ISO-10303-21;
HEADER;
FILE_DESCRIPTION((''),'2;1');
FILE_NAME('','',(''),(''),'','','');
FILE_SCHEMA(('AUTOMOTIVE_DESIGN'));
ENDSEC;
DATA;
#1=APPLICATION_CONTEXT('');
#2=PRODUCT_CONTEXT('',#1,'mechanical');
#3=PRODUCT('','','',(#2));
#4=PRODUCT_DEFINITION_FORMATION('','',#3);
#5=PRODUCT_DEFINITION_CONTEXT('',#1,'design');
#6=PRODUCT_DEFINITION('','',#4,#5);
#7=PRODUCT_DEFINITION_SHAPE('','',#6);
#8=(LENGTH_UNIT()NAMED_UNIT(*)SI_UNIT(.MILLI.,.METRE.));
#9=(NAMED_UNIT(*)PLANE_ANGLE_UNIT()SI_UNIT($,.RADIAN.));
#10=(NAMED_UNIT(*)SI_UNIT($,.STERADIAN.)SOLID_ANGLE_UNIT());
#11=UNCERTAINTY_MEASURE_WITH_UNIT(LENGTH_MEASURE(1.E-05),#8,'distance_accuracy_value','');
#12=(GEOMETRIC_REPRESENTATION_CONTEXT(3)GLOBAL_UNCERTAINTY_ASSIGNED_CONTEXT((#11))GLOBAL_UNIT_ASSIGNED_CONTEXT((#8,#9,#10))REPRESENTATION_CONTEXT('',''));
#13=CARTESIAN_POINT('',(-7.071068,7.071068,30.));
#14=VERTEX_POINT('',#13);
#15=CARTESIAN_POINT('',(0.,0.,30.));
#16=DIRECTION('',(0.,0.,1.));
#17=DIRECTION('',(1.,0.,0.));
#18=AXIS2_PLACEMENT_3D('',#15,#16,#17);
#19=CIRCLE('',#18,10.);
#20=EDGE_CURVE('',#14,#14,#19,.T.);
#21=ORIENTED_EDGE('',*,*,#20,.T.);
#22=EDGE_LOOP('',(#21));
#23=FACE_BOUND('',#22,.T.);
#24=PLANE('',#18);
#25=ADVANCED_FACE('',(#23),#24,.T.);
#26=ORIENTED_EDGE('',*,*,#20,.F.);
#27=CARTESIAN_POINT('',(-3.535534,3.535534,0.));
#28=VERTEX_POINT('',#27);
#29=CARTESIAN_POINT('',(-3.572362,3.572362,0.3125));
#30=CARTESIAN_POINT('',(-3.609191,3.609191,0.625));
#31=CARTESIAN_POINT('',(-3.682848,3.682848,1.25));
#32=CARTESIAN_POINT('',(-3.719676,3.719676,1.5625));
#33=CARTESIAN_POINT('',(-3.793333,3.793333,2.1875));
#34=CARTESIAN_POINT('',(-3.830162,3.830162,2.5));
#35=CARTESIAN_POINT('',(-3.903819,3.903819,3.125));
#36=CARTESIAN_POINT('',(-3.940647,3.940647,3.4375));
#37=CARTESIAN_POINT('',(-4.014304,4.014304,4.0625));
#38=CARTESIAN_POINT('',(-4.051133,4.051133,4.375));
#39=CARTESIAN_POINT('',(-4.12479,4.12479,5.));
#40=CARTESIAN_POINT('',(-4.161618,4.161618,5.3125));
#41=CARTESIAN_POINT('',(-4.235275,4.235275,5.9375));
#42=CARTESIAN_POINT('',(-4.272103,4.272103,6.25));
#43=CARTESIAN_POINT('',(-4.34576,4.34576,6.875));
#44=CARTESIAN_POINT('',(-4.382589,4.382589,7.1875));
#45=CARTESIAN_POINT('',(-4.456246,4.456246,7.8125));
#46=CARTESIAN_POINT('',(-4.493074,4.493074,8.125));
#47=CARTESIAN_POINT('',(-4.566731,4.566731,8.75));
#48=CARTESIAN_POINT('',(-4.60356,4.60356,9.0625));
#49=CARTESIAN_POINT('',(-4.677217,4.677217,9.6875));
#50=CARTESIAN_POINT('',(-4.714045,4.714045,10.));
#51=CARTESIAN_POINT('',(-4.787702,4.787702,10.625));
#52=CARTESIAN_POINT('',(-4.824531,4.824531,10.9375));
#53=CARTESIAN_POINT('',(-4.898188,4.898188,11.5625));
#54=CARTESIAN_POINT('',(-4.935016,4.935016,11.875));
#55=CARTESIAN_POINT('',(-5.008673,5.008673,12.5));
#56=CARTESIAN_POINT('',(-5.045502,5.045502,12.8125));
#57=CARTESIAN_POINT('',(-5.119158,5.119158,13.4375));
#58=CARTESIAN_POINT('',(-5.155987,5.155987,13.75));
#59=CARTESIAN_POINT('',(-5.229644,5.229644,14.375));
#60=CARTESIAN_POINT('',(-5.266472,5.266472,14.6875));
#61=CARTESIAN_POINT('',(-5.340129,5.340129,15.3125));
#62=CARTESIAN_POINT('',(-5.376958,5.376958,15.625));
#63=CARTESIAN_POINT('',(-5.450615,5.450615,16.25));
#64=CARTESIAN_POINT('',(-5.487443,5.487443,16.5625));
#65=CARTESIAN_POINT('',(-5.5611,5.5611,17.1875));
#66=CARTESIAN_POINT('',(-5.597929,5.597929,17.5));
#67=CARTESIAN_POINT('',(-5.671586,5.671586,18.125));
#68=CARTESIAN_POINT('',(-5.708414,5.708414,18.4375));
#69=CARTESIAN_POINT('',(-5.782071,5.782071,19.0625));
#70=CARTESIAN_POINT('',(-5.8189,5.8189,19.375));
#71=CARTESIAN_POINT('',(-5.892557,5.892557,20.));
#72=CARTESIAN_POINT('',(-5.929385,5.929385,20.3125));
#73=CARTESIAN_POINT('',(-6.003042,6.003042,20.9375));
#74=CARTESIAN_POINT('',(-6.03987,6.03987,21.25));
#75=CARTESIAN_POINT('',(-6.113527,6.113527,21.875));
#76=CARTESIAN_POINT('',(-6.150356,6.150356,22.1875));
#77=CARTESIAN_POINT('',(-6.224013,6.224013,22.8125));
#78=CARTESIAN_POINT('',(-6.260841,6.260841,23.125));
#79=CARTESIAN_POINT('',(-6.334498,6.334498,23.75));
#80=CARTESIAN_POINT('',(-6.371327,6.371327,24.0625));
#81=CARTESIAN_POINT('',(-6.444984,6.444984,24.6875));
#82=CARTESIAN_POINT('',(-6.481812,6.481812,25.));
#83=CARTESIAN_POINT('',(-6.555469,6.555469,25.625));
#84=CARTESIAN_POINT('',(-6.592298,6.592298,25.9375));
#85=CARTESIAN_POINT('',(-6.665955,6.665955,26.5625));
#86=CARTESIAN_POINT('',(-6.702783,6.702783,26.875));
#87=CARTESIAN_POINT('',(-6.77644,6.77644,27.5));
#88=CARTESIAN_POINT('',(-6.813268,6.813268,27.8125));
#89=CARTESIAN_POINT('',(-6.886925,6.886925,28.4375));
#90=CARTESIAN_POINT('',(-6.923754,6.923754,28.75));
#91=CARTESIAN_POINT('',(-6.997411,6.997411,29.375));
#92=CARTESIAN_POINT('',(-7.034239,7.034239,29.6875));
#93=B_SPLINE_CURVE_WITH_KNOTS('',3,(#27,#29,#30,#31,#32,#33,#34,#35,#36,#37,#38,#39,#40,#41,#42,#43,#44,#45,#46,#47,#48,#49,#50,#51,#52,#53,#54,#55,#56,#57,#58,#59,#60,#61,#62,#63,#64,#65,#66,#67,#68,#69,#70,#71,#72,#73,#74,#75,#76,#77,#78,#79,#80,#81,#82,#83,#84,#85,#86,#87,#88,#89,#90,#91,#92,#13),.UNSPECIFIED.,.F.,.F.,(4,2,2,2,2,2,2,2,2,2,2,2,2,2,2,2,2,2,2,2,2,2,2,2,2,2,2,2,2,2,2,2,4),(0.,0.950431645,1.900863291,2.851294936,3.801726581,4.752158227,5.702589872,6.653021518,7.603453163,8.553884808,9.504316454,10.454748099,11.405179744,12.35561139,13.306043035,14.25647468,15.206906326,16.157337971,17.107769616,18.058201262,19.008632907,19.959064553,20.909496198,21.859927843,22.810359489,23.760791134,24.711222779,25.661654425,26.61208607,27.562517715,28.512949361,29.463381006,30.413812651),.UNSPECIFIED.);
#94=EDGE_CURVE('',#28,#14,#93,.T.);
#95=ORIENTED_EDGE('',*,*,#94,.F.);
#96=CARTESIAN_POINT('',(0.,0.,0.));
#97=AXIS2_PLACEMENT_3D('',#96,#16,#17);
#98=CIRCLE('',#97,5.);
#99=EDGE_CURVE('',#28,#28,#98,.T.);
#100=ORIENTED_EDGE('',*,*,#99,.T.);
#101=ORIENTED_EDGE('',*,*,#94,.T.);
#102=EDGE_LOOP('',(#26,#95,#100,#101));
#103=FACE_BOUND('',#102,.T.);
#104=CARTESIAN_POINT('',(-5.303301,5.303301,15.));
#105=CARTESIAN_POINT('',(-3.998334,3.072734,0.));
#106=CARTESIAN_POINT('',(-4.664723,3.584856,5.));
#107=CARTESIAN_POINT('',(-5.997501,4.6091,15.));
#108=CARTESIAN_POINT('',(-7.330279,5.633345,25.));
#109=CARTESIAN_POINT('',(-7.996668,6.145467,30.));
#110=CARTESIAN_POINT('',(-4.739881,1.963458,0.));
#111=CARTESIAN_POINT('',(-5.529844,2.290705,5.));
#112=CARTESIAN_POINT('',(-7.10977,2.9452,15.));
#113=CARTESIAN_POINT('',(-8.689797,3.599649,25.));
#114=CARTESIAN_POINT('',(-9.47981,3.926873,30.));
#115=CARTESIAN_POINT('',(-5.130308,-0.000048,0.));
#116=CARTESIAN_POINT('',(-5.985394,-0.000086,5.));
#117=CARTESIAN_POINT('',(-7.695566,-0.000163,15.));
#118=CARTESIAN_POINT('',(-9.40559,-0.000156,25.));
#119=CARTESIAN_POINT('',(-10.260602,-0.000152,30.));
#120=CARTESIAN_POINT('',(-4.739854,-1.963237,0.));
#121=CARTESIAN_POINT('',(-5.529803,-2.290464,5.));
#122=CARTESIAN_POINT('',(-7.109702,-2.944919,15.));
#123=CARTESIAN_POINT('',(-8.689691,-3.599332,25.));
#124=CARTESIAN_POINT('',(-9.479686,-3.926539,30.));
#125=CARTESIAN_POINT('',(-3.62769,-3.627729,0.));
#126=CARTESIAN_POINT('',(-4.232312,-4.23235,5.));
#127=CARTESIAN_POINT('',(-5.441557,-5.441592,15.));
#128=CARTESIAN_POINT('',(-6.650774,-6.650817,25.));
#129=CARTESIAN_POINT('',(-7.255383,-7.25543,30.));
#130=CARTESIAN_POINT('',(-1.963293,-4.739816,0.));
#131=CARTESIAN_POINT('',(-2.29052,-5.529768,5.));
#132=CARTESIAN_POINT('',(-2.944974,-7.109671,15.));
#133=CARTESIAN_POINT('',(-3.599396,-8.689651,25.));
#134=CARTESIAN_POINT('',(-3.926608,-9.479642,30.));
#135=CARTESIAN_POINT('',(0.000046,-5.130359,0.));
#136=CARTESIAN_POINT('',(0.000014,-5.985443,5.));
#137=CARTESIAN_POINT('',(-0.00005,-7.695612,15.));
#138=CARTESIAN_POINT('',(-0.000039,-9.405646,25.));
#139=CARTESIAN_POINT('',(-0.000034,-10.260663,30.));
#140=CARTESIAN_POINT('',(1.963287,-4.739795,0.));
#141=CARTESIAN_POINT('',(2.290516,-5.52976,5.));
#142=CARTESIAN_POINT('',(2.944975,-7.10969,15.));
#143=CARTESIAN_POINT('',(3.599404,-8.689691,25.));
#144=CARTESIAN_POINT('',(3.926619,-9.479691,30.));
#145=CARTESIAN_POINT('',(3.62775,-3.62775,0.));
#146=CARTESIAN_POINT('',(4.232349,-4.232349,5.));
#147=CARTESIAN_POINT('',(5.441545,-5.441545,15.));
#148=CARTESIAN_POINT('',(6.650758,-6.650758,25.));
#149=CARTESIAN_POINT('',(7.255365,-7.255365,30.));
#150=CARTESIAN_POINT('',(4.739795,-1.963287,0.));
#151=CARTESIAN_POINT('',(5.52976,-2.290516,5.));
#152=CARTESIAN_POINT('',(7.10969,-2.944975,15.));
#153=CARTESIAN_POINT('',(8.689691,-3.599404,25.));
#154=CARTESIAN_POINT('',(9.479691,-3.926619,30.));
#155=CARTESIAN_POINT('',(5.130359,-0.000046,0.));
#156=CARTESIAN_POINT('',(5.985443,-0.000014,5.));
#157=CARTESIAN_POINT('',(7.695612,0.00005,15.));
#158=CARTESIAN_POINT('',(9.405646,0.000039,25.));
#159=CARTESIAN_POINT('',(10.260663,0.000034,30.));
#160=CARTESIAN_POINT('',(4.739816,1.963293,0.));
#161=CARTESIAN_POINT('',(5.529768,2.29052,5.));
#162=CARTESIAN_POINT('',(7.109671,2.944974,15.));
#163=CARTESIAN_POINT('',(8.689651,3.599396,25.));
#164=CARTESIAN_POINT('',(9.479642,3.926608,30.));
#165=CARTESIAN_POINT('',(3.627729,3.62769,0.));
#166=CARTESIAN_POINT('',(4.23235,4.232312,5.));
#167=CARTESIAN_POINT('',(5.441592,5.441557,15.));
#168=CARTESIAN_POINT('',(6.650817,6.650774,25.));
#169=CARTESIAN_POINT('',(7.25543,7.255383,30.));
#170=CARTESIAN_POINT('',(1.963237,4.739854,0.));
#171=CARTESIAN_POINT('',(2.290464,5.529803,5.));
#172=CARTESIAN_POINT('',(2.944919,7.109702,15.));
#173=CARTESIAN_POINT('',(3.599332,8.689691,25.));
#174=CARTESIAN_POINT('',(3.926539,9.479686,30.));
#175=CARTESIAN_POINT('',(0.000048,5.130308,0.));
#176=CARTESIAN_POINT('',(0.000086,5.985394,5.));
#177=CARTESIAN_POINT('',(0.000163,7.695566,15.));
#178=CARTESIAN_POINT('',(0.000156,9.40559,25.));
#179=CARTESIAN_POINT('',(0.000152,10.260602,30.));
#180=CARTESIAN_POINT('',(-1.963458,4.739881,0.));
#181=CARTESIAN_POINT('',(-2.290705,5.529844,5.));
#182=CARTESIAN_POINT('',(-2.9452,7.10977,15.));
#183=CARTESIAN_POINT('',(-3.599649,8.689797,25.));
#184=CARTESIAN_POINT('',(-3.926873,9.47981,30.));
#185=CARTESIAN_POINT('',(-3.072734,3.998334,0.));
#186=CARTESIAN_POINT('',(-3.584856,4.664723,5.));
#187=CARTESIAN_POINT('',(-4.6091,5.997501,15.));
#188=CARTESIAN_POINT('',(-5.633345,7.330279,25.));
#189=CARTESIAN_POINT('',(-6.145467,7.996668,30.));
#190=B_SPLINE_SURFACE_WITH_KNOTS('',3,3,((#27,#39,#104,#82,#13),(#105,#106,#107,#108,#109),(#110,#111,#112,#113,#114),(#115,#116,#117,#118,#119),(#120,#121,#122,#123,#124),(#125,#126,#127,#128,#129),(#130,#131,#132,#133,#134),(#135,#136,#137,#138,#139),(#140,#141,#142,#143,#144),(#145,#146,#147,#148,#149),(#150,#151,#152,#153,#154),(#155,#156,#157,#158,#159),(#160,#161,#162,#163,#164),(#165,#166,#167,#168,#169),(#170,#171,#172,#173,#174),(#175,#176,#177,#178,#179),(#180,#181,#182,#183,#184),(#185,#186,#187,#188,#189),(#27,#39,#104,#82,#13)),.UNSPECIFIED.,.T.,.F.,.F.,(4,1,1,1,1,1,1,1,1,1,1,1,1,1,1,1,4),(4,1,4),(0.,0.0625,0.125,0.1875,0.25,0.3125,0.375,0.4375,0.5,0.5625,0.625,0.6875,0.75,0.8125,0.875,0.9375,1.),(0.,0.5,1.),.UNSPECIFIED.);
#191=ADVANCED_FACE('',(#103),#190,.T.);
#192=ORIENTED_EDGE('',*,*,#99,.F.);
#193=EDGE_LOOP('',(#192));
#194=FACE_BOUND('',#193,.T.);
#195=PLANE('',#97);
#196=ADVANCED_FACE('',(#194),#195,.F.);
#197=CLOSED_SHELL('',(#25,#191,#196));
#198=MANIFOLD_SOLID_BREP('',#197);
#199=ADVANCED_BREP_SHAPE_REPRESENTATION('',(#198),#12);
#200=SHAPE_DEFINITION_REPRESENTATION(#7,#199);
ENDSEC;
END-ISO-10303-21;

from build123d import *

# Parameters (mm, degrees)
PROFILE1_R = 5
PROFILE2_R = 7.5
PROFILE3_R = 10


with BuildPart() as part:
    # Profile1 → modern_loft_3sections_baseline section 0
    with BuildSketch(Plane.XY):
        Circle(PROFILE1_R)
    # Profile2 → modern_loft_3sections_baseline section 1
    with BuildSketch(Plane.XY.offset(15)):
        Circle(PROFILE2_R)
    # Profile3 → modern_loft_3sections_baseline section 2
    with BuildSketch(Plane.XY.offset(30)):
        Circle(PROFILE3_R)
    loft()


solid = part.part
